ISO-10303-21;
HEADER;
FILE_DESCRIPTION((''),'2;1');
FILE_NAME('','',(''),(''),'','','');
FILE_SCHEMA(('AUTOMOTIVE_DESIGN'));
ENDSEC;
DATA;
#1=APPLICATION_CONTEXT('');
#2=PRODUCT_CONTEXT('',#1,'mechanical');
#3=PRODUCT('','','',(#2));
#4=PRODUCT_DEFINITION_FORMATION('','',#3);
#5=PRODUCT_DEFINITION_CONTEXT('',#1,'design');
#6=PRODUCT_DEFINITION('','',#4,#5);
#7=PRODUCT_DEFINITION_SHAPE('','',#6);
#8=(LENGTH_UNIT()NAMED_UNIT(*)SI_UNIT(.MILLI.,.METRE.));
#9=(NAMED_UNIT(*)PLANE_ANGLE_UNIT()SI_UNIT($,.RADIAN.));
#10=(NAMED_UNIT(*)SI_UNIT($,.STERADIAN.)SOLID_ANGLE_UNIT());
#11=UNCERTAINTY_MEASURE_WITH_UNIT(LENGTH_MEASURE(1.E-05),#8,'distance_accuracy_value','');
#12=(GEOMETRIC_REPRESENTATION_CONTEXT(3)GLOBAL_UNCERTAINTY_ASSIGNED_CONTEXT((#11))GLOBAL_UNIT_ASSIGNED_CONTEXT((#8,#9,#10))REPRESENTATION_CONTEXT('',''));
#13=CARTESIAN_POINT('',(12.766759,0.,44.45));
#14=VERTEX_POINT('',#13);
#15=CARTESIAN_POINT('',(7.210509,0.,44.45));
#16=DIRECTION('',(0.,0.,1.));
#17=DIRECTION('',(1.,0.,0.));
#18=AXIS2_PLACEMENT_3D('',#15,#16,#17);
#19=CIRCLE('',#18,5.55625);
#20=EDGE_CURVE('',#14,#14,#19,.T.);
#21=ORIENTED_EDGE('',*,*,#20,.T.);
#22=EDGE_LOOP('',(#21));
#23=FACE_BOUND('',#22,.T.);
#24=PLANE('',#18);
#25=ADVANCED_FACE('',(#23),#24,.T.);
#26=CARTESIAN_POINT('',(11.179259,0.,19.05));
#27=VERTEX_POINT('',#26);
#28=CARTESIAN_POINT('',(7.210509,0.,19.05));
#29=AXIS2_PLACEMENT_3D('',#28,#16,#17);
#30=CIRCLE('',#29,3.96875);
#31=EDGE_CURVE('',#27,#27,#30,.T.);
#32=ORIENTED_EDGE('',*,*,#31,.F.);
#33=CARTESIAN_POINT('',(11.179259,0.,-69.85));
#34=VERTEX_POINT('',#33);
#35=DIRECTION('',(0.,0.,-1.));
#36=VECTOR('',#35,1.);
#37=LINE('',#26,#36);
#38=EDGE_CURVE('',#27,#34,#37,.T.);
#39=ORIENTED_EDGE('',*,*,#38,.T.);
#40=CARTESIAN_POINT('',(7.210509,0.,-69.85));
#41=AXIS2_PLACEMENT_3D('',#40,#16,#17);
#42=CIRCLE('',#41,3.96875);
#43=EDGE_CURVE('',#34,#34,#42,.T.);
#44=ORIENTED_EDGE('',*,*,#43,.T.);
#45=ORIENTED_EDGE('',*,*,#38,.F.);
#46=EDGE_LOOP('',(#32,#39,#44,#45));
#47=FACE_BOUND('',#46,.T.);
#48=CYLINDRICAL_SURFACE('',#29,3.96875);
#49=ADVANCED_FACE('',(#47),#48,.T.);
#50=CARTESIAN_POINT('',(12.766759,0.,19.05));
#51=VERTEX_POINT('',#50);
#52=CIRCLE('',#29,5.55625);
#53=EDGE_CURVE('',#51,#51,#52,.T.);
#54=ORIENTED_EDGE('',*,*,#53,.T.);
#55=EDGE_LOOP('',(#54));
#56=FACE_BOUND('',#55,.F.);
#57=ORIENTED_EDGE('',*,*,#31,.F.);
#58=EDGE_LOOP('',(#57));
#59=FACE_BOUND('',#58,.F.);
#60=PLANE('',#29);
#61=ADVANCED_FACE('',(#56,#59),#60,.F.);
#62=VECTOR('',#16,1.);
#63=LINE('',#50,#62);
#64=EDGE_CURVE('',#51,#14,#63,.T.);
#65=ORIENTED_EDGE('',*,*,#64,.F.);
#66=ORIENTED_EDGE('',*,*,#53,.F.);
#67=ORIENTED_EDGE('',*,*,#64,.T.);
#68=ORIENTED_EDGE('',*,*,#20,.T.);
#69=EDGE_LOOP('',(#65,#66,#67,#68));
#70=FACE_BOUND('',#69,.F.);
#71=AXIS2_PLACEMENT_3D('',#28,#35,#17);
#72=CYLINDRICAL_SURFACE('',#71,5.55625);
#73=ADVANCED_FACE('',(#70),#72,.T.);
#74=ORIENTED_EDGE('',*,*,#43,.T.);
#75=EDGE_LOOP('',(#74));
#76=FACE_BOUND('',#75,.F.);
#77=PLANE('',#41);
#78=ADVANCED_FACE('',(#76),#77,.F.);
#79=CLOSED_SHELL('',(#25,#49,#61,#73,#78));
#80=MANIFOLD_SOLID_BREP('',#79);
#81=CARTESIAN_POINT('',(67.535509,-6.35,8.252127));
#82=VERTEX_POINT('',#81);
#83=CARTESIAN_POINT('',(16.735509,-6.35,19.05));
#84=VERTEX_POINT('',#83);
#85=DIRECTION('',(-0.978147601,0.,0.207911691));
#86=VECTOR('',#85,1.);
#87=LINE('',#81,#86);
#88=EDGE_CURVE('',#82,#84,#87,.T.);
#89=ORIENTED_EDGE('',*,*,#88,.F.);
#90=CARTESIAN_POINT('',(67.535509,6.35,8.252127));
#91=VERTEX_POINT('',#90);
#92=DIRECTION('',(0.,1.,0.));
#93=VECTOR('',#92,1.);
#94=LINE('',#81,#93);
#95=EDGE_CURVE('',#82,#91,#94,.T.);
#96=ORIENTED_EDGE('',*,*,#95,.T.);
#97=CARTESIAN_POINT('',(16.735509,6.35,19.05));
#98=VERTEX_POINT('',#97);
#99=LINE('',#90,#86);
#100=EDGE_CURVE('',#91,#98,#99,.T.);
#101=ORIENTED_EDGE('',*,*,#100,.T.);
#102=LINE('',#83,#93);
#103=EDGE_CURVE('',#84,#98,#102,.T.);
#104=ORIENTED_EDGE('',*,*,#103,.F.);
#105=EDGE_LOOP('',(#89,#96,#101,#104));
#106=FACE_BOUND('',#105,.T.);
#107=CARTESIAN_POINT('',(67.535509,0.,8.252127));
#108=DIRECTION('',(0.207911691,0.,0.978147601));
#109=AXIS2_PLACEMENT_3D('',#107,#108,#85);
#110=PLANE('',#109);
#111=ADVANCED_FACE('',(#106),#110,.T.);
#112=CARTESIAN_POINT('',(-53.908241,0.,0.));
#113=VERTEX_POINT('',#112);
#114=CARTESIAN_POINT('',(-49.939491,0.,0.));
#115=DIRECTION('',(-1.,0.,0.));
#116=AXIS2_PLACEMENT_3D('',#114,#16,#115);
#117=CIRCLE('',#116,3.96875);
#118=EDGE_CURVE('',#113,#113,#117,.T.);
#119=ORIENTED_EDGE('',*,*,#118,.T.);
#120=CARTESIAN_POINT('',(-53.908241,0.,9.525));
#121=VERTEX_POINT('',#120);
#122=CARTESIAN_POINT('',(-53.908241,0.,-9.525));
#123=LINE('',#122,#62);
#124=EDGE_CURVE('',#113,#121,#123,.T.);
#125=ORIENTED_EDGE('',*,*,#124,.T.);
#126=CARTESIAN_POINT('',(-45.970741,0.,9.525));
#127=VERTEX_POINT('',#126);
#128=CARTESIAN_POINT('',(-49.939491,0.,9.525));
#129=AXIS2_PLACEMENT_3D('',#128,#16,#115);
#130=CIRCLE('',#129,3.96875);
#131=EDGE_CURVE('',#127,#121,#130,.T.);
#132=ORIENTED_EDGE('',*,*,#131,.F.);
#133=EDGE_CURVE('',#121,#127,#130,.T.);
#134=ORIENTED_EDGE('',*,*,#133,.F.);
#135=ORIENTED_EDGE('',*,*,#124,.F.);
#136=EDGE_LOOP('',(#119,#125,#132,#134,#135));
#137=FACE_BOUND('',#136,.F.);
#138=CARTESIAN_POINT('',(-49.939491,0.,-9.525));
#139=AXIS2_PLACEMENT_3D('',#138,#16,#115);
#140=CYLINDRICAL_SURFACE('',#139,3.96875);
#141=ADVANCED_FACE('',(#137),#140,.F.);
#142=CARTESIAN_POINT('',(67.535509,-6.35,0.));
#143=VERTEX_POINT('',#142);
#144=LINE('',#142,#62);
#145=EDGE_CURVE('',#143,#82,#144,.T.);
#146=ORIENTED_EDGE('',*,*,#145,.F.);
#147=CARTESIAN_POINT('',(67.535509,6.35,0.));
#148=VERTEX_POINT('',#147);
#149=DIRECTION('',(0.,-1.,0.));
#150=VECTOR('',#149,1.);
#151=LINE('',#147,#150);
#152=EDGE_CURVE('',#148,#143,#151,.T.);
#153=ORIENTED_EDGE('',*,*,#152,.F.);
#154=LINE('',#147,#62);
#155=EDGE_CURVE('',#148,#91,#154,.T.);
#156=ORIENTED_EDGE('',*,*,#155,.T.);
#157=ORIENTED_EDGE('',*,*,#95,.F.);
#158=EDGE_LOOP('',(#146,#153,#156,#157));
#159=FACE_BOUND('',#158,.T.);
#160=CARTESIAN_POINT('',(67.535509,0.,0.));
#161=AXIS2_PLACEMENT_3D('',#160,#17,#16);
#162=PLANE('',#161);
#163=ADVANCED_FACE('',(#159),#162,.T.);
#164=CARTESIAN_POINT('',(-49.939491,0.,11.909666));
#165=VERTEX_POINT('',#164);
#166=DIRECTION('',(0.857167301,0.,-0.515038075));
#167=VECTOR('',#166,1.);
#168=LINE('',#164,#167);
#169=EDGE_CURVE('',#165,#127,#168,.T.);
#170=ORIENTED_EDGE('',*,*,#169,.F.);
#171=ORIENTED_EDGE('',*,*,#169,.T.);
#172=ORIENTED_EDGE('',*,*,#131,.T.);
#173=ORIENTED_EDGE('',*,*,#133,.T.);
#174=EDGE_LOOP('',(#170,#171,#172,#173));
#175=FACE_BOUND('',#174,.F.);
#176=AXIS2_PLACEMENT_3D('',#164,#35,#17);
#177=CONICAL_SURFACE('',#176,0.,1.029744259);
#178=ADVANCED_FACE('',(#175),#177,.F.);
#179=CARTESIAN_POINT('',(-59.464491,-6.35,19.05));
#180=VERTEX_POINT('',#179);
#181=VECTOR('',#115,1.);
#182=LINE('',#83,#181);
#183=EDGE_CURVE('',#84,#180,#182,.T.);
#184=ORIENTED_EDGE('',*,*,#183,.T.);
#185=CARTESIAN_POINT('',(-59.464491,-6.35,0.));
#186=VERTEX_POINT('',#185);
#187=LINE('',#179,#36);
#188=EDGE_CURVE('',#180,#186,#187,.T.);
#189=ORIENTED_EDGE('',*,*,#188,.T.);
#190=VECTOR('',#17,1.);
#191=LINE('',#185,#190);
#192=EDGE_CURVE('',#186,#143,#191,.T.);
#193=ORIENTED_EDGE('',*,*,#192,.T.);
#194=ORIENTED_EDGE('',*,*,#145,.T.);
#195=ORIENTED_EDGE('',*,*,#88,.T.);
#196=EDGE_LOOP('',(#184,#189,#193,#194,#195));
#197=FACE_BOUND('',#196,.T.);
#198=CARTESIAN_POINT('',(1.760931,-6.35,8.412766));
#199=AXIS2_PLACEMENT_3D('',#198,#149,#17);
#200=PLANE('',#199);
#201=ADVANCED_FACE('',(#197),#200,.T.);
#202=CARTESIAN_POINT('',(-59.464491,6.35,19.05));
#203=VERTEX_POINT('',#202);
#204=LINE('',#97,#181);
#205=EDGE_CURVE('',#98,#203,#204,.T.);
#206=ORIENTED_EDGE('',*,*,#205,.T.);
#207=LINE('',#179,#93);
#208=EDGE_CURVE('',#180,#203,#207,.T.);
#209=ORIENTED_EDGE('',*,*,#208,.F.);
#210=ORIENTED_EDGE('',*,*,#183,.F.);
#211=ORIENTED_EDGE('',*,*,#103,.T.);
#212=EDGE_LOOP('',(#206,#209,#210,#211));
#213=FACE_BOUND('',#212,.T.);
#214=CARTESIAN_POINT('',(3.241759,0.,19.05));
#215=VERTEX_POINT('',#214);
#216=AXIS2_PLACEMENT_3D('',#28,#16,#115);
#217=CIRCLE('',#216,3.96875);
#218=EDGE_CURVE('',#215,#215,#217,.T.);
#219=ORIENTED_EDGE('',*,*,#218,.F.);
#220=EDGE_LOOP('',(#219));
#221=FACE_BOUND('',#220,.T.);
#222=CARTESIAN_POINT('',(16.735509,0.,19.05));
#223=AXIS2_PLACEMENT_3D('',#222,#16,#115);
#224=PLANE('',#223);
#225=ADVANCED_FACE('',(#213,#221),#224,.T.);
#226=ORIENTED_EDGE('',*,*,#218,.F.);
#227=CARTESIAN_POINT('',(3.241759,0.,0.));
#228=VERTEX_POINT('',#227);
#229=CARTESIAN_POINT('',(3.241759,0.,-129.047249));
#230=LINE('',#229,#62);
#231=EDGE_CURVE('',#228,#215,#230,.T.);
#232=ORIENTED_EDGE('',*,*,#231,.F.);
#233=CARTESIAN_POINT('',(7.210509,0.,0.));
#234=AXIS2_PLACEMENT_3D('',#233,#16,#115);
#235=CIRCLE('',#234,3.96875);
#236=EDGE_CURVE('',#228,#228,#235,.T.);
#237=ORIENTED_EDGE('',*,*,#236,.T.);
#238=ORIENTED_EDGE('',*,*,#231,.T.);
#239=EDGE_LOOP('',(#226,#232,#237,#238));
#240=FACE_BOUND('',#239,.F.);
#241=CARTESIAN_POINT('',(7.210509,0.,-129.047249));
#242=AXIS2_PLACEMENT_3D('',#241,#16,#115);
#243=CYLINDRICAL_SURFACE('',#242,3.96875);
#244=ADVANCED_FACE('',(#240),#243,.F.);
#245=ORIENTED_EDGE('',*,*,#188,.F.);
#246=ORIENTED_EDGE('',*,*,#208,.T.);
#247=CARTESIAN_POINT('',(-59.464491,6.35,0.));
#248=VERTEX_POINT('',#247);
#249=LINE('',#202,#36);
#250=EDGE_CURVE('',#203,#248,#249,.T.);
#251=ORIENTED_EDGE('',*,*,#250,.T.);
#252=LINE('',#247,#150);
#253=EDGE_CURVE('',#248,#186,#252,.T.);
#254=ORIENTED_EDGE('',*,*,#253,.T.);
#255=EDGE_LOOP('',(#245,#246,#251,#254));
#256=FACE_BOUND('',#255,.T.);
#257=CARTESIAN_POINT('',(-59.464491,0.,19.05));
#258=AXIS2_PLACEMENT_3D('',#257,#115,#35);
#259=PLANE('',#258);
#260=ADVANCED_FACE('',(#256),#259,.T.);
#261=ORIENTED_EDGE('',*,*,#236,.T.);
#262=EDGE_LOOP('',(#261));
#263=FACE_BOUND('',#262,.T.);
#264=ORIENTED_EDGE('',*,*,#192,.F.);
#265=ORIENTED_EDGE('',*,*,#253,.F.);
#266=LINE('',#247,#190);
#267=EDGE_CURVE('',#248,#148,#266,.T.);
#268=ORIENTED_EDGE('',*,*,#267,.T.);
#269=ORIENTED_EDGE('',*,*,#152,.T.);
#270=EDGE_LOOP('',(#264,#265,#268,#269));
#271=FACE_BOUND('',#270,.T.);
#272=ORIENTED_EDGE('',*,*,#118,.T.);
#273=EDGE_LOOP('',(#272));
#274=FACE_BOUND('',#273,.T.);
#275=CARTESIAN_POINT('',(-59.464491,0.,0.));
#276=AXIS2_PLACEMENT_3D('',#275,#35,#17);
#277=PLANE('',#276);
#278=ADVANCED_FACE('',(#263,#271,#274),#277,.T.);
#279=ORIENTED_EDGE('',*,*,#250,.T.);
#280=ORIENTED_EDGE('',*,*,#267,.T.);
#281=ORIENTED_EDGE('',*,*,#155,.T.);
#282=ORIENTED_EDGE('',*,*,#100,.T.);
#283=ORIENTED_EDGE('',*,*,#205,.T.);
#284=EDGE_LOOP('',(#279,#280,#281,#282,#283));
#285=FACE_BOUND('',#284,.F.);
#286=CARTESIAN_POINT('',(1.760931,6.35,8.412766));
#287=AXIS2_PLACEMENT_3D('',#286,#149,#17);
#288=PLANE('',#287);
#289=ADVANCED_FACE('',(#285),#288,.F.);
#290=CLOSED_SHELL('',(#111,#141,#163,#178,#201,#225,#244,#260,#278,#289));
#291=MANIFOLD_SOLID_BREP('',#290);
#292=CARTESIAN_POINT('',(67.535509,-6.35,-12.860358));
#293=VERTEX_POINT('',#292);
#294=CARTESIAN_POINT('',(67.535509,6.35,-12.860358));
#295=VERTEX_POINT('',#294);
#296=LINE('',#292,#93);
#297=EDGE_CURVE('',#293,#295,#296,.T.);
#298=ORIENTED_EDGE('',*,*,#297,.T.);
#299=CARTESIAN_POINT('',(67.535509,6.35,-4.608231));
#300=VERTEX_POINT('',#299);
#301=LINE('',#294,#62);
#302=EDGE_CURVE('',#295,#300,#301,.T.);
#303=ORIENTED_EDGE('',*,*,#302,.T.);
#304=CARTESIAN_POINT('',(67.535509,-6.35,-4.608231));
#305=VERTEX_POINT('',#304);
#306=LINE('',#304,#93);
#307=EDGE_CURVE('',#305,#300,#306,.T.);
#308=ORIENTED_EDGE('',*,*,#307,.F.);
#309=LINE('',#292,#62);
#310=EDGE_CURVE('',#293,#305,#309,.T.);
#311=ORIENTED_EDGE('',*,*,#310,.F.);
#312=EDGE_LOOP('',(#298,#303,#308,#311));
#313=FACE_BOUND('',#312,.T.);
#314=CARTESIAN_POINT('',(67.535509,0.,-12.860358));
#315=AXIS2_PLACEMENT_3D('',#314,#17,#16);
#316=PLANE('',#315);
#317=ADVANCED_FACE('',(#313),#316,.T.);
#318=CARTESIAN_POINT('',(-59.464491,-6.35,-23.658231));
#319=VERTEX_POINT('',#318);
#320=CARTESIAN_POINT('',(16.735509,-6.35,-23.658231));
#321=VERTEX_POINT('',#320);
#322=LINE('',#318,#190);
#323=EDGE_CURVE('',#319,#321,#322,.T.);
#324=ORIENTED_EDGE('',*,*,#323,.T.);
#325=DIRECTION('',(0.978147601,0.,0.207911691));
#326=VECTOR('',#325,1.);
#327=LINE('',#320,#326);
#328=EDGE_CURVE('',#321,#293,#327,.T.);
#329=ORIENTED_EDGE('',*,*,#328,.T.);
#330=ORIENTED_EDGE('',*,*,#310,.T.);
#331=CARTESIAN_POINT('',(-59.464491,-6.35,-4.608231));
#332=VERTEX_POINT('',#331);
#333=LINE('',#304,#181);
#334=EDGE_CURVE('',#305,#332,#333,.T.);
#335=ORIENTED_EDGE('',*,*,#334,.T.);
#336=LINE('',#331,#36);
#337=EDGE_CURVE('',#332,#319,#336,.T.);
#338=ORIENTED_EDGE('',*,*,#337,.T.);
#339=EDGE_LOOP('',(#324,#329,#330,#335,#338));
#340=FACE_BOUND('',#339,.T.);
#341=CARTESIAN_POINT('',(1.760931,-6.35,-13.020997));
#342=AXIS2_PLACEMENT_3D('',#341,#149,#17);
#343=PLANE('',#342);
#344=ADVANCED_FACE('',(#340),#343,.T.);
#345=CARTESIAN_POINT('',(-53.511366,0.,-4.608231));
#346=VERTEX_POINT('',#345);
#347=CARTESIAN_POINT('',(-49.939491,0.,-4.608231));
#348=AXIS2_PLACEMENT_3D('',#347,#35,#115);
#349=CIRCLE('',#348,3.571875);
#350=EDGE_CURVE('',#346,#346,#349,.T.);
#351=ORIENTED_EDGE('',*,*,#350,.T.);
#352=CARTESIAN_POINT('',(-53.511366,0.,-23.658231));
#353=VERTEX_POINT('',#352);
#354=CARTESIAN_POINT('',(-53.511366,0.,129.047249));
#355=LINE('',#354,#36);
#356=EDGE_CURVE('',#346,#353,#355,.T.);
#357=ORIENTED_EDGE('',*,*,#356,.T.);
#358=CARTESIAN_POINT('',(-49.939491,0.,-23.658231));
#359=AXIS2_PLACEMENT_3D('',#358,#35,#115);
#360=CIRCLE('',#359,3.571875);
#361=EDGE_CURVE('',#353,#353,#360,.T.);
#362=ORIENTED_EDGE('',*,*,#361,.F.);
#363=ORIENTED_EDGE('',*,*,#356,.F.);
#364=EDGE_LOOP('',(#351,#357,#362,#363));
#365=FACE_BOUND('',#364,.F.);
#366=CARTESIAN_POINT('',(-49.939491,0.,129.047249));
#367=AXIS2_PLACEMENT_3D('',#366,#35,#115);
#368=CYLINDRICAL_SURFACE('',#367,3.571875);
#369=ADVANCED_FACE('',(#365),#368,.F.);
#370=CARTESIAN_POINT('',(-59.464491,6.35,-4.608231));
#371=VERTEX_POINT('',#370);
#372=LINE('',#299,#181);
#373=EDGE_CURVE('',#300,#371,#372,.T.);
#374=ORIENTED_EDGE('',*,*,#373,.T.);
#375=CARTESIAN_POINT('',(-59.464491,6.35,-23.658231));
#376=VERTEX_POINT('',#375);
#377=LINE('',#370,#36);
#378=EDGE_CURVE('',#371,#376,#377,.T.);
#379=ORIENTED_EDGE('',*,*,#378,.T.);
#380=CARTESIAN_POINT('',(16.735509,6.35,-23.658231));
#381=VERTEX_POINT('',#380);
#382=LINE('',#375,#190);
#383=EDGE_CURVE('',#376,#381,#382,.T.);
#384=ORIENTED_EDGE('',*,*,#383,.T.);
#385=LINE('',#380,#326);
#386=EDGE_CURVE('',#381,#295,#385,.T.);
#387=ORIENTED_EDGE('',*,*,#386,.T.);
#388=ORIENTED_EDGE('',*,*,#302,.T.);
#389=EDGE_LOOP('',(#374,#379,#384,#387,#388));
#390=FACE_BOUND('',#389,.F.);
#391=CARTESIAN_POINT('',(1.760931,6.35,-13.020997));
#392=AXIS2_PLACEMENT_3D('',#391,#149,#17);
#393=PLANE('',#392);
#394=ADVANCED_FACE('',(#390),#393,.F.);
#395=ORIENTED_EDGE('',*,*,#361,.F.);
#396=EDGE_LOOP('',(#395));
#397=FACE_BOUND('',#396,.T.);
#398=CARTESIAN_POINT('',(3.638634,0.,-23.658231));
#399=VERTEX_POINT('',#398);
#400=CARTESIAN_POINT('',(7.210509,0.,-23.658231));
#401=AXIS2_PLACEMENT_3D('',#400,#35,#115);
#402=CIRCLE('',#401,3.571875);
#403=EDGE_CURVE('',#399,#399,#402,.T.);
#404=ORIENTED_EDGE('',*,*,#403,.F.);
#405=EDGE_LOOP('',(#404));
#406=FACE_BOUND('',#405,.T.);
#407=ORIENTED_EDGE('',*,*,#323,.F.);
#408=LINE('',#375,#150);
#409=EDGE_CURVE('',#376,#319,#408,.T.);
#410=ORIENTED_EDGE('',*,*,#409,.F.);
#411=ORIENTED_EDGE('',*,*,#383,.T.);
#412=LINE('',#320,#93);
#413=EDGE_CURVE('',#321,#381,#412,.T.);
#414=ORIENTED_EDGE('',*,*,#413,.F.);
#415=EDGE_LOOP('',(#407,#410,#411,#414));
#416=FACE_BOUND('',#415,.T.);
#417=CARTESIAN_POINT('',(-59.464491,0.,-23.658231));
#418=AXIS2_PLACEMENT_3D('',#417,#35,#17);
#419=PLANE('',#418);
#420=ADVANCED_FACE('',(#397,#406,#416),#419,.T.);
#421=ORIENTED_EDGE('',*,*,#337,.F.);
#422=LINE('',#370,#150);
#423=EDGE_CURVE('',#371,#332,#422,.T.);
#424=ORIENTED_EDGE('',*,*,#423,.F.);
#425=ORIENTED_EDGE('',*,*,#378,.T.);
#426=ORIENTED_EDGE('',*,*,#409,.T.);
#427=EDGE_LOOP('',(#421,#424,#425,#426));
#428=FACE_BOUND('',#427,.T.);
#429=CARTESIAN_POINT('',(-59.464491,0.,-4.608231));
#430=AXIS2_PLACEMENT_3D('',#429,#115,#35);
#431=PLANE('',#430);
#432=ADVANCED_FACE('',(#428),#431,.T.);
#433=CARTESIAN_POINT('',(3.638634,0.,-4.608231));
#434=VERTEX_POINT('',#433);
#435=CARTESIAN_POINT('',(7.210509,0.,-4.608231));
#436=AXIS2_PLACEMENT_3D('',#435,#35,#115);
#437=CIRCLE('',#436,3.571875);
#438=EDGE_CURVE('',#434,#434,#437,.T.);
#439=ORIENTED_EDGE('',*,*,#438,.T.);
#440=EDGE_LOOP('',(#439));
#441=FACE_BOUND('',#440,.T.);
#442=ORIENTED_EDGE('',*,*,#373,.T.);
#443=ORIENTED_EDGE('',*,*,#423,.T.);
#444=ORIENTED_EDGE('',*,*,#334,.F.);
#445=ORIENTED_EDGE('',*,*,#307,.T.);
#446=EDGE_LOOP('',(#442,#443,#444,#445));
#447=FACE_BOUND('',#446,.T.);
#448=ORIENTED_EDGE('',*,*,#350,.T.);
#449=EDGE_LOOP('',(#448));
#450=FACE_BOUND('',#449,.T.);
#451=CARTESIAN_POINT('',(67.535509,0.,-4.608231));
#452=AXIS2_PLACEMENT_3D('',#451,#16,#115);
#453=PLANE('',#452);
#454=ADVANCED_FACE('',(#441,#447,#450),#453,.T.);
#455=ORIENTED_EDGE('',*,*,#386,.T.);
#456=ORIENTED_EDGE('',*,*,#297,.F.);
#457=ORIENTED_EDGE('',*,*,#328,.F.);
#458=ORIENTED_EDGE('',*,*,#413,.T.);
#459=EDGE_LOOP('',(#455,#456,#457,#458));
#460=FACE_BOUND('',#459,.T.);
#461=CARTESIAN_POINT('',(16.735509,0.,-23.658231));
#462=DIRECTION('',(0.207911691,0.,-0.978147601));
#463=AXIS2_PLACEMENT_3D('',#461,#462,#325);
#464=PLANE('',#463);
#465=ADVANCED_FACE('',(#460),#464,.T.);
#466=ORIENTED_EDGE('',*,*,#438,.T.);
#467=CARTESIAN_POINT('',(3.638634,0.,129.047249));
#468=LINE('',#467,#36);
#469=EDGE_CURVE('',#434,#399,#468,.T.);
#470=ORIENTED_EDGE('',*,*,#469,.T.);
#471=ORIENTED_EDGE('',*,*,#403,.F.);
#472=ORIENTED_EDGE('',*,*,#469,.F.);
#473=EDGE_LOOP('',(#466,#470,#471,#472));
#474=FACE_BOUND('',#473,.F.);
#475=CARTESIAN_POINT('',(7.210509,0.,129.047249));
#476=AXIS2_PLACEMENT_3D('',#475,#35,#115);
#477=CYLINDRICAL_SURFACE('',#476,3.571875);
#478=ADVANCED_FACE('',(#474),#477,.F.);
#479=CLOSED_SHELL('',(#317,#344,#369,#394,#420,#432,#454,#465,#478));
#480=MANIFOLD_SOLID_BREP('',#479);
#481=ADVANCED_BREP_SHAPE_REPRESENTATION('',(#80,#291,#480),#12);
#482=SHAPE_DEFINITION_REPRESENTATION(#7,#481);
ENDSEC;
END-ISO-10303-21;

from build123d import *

# Parameters (mm, degrees)
F1_DEPTH = 6.35
F3_D     = 7.9375
F3_DEPTH = 9.525
F3_TIP   = 2.3846655818
F4_D     = 7.9375
F5_D     = 7.14375
F6_R     = 5.55625
F6_R_2   = 3.96875
F7_DEPTH = 25.4
F8_DEPTH = 88.9


with BuildPart() as f1:
    # F0 (on Front) → F1 (new body, symmetric)
    with BuildSketch(Plane.XZ):
        Polygon((-59.4644909084, 19.05), (-59.4644909084, 0), (67.5355090916, 0), (67.5355090916, 8.2521266672), (16.7355090916, 19.05), align=None)
    extrude(amount=F1_DEPTH, both=True)

    # F3
    with Locations(Plane(origin=(0, 0, 0), x_dir=(1, 0, 0), z_dir=(0, 0, -1))):
        with Locations((-49.9394909084, 0)):
            Hole(F3_D / 2, depth=F3_DEPTH)
            with Locations((0, 0, -(F3_DEPTH + F3_TIP / 2))):  # 118° drill point
                Cone(0, F3_D / 2, F3_TIP, mode=Mode.SUBTRACT)

    # F4 (through all)
    with Locations(Plane(origin=(0, 0, 0), x_dir=(1, 0, 0), z_dir=(0, 0, -1))):
        with Locations((7.2105090916, 0)):
            Hole(F4_D / 2)


with BuildPart() as f1b:
    # F0 (on Front) → F1, piece 2 (new body, symmetric)
    with BuildSketch(Plane.XZ):
        Polygon((67.5355090916, -4.6082309008), (-59.4644909084, -4.6082309008), (-59.4644909084, -23.6582309008), (16.7355090916, -23.6582309008), (67.5355090916, -12.8603575679), align=None)
    extrude(amount=F1_DEPTH, both=True)

    # F5 (through all)
    with Locations(Plane.XY):
        with Locations((-49.9394909084, 0), (7.2105090916, 0)):
            Hole(F5_D / 2)


with BuildPart() as f7:
    # F6 (on face) → F7 (new body)
    with BuildSketch(Plane.XY.offset(19.05)):
        with Locations((7.2105090916, 0)):
            Circle(F6_R)
        with Locations((7.2105090916, 0)):
            Circle(F6_R_2, mode=Mode.SUBTRACT)
        with Locations((7.2105090916, 0)):
            Circle(F6_R_2)
    extrude(amount=F7_DEPTH)

    # F6 (on face) → F8 (join)
    with BuildSketch(Plane.XY.offset(19.05)):
        with Locations((7.2105090916, 0)):
            Circle(F6_R_2)
    extrude(amount=-F8_DEPTH)


solid = Compound([f1.part, f1b.part, f7.part])
